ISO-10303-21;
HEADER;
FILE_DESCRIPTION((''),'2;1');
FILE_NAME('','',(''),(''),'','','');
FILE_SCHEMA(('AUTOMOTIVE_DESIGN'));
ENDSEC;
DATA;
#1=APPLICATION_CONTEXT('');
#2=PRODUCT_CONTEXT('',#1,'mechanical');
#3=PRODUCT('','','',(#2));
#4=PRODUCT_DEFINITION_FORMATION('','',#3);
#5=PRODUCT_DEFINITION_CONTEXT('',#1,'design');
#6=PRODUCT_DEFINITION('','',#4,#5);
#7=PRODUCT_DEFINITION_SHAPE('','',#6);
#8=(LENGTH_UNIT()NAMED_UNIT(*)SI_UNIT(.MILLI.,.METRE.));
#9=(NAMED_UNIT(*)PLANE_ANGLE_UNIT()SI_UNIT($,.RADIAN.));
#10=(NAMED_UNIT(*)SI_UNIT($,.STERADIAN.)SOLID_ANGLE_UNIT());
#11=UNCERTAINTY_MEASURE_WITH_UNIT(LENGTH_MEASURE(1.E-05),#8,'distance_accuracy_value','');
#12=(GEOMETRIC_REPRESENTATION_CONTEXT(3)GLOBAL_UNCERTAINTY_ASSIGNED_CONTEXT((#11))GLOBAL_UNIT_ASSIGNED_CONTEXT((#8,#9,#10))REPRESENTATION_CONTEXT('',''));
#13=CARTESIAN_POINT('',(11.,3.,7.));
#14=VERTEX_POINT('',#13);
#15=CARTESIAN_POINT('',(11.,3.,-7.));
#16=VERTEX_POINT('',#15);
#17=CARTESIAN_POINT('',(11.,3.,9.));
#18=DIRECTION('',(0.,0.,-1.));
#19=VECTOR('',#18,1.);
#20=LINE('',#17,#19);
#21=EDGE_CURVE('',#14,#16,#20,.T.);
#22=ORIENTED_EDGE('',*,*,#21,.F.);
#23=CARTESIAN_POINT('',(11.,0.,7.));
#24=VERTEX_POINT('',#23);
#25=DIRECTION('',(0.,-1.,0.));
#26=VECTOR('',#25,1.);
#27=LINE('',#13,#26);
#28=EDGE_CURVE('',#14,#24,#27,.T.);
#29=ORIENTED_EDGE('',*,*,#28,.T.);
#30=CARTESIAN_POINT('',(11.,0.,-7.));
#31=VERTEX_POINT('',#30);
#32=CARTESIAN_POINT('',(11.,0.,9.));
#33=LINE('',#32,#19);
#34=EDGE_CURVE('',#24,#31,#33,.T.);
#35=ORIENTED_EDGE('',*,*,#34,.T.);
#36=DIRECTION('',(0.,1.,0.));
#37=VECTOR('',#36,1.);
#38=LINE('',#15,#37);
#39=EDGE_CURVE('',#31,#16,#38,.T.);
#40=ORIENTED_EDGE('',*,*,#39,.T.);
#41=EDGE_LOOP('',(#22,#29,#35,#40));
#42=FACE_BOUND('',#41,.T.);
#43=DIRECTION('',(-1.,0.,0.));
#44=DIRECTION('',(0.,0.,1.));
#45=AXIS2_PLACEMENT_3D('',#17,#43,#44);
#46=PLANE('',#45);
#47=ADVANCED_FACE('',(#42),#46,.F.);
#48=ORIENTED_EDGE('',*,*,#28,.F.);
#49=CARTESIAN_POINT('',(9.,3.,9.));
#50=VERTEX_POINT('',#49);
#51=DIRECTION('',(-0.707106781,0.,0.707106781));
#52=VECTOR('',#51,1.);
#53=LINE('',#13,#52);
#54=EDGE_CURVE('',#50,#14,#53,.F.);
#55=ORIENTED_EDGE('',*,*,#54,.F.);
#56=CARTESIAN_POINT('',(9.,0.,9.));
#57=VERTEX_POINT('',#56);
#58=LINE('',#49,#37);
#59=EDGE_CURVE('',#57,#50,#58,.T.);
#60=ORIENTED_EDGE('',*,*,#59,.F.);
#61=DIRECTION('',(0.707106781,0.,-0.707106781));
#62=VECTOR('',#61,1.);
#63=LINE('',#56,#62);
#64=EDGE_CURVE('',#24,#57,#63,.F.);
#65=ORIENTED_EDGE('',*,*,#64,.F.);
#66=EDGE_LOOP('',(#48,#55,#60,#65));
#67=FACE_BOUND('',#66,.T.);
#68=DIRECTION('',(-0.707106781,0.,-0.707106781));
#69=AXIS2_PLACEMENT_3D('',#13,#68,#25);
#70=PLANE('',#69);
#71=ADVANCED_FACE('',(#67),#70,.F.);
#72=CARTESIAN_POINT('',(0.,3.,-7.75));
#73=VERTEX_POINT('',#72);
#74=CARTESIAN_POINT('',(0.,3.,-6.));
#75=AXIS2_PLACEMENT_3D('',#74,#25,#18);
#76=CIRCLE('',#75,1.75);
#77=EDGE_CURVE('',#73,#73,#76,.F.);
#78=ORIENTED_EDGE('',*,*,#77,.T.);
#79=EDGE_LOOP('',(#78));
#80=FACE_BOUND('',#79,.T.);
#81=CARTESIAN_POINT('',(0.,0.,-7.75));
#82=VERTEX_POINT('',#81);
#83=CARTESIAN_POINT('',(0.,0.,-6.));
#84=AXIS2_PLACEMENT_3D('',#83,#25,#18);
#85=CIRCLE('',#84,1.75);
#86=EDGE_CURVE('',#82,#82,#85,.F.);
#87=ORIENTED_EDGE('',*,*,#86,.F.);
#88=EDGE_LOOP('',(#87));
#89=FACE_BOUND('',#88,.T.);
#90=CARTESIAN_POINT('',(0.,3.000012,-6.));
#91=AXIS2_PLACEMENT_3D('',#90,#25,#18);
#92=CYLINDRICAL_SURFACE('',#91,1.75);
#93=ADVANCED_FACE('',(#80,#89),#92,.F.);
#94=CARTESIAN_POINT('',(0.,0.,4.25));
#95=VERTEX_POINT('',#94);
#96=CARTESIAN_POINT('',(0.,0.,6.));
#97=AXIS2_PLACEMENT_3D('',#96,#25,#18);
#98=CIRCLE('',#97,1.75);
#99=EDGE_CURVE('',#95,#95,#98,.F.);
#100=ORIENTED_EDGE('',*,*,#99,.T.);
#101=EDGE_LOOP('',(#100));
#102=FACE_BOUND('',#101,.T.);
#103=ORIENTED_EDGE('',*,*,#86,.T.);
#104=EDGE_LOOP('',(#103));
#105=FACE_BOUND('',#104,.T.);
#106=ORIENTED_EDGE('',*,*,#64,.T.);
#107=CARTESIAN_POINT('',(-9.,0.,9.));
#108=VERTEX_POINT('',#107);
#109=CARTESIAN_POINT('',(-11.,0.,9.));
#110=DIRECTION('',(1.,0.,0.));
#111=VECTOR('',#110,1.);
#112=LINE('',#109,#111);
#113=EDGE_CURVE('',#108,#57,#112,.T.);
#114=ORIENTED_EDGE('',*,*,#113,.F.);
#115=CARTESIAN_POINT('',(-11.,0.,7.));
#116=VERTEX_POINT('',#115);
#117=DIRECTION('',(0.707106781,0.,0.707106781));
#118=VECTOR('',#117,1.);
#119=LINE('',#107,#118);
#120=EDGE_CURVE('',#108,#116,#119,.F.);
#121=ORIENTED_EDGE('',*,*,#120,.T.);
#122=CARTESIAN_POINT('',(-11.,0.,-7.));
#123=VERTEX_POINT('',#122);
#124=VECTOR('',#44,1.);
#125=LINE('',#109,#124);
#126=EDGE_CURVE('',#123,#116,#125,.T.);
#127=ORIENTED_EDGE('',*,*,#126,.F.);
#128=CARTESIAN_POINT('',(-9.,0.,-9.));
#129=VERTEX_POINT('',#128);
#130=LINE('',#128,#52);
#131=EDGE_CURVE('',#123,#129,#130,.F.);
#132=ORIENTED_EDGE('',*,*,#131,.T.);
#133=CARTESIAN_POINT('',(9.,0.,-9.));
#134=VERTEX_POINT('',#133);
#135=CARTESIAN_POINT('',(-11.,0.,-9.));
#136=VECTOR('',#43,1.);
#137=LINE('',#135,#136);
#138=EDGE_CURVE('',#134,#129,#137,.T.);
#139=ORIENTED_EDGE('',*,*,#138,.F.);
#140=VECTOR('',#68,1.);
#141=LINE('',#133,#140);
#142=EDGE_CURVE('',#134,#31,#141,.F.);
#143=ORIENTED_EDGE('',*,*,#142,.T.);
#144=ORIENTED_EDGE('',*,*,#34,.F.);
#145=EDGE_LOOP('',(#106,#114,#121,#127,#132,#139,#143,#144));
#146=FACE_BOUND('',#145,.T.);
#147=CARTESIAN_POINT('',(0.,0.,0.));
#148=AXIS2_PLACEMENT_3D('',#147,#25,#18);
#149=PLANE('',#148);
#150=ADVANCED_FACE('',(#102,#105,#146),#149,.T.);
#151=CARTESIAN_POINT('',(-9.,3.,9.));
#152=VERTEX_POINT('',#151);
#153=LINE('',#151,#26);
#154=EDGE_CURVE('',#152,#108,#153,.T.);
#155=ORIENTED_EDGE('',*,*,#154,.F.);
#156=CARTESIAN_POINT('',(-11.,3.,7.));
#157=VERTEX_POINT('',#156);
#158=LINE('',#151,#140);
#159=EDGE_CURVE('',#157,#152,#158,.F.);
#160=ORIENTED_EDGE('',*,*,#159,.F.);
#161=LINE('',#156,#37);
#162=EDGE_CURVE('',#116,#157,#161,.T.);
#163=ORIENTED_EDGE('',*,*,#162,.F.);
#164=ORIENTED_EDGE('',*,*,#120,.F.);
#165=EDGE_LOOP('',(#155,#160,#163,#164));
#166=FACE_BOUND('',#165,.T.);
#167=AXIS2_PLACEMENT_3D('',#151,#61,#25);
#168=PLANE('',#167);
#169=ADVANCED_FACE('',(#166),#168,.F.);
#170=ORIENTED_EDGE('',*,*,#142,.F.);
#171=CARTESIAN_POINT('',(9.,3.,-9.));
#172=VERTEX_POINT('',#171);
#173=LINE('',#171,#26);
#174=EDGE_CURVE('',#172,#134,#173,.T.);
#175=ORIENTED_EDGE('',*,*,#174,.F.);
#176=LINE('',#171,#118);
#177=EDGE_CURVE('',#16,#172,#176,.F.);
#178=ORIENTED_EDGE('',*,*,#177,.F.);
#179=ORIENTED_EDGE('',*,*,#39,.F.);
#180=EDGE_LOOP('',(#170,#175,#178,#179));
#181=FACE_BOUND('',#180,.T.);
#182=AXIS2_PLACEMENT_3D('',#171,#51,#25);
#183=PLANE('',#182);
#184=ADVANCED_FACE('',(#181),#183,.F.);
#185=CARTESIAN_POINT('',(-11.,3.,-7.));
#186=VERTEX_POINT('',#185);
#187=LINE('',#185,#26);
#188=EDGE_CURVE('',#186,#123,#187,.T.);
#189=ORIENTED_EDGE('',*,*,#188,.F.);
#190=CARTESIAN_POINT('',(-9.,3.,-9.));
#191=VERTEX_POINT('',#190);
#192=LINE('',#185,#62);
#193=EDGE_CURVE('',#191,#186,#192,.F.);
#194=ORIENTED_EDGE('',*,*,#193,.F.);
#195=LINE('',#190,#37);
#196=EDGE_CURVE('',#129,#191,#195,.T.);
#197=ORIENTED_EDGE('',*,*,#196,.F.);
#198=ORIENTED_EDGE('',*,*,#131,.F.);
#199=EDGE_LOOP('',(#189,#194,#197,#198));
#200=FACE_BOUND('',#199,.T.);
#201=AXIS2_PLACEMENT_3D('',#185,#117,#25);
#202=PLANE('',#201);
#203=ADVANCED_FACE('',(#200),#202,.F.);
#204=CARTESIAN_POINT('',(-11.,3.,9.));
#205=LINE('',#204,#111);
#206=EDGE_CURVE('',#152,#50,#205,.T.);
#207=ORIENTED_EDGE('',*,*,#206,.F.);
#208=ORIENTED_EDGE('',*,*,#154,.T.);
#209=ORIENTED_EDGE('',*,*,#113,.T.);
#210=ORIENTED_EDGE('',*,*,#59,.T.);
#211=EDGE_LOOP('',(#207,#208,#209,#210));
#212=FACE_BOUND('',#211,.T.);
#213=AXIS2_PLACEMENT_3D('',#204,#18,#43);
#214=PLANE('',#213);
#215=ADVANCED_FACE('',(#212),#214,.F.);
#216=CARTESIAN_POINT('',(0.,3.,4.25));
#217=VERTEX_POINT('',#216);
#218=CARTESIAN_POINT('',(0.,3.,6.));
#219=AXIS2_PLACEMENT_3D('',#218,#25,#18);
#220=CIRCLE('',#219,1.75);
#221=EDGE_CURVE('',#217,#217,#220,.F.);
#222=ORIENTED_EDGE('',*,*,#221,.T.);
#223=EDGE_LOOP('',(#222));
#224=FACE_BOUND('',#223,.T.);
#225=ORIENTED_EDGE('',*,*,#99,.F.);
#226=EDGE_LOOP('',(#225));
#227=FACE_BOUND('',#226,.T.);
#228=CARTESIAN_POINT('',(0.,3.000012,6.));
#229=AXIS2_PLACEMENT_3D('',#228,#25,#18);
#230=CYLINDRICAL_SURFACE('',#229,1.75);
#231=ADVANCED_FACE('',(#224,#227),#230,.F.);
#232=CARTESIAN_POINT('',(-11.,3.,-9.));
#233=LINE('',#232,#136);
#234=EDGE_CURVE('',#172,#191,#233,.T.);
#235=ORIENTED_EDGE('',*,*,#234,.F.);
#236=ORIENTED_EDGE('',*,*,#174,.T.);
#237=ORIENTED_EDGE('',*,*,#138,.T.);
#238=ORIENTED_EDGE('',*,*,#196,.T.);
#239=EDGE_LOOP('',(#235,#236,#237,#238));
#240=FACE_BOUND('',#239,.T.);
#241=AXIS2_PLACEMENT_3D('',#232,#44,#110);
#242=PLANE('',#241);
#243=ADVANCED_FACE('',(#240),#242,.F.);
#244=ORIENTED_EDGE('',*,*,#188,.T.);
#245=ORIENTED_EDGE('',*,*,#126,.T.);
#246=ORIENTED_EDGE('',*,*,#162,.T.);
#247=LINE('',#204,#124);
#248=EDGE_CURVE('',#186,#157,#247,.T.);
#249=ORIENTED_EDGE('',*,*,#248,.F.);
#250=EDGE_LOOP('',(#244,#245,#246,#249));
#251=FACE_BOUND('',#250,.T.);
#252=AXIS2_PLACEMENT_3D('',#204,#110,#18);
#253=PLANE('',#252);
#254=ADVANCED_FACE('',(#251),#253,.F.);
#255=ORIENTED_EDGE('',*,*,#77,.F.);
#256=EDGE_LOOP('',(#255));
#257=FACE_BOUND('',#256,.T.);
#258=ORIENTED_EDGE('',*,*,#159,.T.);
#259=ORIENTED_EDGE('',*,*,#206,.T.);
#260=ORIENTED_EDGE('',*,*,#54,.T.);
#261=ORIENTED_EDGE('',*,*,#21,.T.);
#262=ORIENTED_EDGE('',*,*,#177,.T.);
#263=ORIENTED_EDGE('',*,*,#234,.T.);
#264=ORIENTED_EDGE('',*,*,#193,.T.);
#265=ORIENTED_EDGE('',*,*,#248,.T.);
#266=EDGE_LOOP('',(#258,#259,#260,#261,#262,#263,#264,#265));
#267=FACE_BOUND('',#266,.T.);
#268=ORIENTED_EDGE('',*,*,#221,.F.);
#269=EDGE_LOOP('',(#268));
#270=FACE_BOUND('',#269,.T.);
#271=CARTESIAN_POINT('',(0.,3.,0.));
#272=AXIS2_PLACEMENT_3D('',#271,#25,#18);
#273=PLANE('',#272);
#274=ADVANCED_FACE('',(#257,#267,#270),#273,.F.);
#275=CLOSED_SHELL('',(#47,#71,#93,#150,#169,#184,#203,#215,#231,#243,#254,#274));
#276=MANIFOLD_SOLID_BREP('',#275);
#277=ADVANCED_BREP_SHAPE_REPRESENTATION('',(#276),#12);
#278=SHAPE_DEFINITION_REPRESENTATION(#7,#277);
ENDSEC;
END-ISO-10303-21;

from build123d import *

# Parameters (mm, degrees)
SKETCH1_W                      = 22
SKETCH1_H                      = 18
BOSS_EXTRUDE1_DEPTH            = 3
CUT_EXTRUDE1_REACH             = 5
SKETCH2_R                      = 1.75
CUT_EXTRUDE1_DIRECTION_2_DEPTH = 1
CHAMFER1_SIZE                  = 2


with BuildPart() as part:
    # Sketch1 → Boss-Extrude1 (new body)
    with BuildSketch(Plane(origin=(0, 0, 0), x_dir=(1, 0, 0), z_dir=(0, 1, 0))):
        Rectangle(SKETCH1_W, SKETCH1_H)
    extrude(amount=BOSS_EXTRUDE1_DEPTH)

    # Sketch2 → Cut-Extrude1 (cut, up to next)
    with BuildSketch(Plane(origin=(0, 3, 0), x_dir=(1, 0, 0), z_dir=(0, 1, 0)), mode=Mode.PRIVATE) as cut_extrude1_sk1:
        with Locations((0, 6)):
            Circle(SKETCH2_R)
    cut_extrude1_tool1 = extrude(cut_extrude1_sk1.sketch, amount=-CUT_EXTRUDE1_REACH, mode=Mode.PRIVATE) & part.part
    add(cut_extrude1_tool1.solids().sort_by_distance((0, 3, -6))[0], mode=Mode.SUBTRACT)
    # Sketch2 → Cut-Extrude1 (cut, up to next)
    with BuildSketch(Plane(origin=(0, 3, 0), x_dir=(1, 0, 0), z_dir=(0, 1, 0)), mode=Mode.PRIVATE) as cut_extrude1_sk2:
        with Locations((0, -6)):
            Circle(SKETCH2_R)
    cut_extrude1_tool2 = extrude(cut_extrude1_sk2.sketch, amount=-CUT_EXTRUDE1_REACH, mode=Mode.PRIVATE) & part.part
    add(cut_extrude1_tool2.solids().sort_by_distance((0, 3, 6))[0], mode=Mode.SUBTRACT)

    # Sketch2 → Cut-Extrude1 direction 2 (cut)
    with BuildSketch(Plane(origin=(0, 3, 0), x_dir=(1, 0, 0), z_dir=(0, 1, 0))):
        with Locations((0, 6)):
            Circle(SKETCH2_R)
        with Locations((0, -6)):
            Circle(SKETCH2_R)
    extrude(amount=CUT_EXTRUDE1_DIRECTION_2_DEPTH, mode=Mode.SUBTRACT)

    # Chamfer1
    chamfer1_edges = [part.edges().sort_by_distance(p)[0] for p in [
        (11, 1.5, 9),
        (-11, 1.5, 9),
        (-11, 1.5, -9),
        (11, 1.5, -9),
    ]]
    chamfer(chamfer1_edges, length=CHAMFER1_SIZE)


solid = part.part
